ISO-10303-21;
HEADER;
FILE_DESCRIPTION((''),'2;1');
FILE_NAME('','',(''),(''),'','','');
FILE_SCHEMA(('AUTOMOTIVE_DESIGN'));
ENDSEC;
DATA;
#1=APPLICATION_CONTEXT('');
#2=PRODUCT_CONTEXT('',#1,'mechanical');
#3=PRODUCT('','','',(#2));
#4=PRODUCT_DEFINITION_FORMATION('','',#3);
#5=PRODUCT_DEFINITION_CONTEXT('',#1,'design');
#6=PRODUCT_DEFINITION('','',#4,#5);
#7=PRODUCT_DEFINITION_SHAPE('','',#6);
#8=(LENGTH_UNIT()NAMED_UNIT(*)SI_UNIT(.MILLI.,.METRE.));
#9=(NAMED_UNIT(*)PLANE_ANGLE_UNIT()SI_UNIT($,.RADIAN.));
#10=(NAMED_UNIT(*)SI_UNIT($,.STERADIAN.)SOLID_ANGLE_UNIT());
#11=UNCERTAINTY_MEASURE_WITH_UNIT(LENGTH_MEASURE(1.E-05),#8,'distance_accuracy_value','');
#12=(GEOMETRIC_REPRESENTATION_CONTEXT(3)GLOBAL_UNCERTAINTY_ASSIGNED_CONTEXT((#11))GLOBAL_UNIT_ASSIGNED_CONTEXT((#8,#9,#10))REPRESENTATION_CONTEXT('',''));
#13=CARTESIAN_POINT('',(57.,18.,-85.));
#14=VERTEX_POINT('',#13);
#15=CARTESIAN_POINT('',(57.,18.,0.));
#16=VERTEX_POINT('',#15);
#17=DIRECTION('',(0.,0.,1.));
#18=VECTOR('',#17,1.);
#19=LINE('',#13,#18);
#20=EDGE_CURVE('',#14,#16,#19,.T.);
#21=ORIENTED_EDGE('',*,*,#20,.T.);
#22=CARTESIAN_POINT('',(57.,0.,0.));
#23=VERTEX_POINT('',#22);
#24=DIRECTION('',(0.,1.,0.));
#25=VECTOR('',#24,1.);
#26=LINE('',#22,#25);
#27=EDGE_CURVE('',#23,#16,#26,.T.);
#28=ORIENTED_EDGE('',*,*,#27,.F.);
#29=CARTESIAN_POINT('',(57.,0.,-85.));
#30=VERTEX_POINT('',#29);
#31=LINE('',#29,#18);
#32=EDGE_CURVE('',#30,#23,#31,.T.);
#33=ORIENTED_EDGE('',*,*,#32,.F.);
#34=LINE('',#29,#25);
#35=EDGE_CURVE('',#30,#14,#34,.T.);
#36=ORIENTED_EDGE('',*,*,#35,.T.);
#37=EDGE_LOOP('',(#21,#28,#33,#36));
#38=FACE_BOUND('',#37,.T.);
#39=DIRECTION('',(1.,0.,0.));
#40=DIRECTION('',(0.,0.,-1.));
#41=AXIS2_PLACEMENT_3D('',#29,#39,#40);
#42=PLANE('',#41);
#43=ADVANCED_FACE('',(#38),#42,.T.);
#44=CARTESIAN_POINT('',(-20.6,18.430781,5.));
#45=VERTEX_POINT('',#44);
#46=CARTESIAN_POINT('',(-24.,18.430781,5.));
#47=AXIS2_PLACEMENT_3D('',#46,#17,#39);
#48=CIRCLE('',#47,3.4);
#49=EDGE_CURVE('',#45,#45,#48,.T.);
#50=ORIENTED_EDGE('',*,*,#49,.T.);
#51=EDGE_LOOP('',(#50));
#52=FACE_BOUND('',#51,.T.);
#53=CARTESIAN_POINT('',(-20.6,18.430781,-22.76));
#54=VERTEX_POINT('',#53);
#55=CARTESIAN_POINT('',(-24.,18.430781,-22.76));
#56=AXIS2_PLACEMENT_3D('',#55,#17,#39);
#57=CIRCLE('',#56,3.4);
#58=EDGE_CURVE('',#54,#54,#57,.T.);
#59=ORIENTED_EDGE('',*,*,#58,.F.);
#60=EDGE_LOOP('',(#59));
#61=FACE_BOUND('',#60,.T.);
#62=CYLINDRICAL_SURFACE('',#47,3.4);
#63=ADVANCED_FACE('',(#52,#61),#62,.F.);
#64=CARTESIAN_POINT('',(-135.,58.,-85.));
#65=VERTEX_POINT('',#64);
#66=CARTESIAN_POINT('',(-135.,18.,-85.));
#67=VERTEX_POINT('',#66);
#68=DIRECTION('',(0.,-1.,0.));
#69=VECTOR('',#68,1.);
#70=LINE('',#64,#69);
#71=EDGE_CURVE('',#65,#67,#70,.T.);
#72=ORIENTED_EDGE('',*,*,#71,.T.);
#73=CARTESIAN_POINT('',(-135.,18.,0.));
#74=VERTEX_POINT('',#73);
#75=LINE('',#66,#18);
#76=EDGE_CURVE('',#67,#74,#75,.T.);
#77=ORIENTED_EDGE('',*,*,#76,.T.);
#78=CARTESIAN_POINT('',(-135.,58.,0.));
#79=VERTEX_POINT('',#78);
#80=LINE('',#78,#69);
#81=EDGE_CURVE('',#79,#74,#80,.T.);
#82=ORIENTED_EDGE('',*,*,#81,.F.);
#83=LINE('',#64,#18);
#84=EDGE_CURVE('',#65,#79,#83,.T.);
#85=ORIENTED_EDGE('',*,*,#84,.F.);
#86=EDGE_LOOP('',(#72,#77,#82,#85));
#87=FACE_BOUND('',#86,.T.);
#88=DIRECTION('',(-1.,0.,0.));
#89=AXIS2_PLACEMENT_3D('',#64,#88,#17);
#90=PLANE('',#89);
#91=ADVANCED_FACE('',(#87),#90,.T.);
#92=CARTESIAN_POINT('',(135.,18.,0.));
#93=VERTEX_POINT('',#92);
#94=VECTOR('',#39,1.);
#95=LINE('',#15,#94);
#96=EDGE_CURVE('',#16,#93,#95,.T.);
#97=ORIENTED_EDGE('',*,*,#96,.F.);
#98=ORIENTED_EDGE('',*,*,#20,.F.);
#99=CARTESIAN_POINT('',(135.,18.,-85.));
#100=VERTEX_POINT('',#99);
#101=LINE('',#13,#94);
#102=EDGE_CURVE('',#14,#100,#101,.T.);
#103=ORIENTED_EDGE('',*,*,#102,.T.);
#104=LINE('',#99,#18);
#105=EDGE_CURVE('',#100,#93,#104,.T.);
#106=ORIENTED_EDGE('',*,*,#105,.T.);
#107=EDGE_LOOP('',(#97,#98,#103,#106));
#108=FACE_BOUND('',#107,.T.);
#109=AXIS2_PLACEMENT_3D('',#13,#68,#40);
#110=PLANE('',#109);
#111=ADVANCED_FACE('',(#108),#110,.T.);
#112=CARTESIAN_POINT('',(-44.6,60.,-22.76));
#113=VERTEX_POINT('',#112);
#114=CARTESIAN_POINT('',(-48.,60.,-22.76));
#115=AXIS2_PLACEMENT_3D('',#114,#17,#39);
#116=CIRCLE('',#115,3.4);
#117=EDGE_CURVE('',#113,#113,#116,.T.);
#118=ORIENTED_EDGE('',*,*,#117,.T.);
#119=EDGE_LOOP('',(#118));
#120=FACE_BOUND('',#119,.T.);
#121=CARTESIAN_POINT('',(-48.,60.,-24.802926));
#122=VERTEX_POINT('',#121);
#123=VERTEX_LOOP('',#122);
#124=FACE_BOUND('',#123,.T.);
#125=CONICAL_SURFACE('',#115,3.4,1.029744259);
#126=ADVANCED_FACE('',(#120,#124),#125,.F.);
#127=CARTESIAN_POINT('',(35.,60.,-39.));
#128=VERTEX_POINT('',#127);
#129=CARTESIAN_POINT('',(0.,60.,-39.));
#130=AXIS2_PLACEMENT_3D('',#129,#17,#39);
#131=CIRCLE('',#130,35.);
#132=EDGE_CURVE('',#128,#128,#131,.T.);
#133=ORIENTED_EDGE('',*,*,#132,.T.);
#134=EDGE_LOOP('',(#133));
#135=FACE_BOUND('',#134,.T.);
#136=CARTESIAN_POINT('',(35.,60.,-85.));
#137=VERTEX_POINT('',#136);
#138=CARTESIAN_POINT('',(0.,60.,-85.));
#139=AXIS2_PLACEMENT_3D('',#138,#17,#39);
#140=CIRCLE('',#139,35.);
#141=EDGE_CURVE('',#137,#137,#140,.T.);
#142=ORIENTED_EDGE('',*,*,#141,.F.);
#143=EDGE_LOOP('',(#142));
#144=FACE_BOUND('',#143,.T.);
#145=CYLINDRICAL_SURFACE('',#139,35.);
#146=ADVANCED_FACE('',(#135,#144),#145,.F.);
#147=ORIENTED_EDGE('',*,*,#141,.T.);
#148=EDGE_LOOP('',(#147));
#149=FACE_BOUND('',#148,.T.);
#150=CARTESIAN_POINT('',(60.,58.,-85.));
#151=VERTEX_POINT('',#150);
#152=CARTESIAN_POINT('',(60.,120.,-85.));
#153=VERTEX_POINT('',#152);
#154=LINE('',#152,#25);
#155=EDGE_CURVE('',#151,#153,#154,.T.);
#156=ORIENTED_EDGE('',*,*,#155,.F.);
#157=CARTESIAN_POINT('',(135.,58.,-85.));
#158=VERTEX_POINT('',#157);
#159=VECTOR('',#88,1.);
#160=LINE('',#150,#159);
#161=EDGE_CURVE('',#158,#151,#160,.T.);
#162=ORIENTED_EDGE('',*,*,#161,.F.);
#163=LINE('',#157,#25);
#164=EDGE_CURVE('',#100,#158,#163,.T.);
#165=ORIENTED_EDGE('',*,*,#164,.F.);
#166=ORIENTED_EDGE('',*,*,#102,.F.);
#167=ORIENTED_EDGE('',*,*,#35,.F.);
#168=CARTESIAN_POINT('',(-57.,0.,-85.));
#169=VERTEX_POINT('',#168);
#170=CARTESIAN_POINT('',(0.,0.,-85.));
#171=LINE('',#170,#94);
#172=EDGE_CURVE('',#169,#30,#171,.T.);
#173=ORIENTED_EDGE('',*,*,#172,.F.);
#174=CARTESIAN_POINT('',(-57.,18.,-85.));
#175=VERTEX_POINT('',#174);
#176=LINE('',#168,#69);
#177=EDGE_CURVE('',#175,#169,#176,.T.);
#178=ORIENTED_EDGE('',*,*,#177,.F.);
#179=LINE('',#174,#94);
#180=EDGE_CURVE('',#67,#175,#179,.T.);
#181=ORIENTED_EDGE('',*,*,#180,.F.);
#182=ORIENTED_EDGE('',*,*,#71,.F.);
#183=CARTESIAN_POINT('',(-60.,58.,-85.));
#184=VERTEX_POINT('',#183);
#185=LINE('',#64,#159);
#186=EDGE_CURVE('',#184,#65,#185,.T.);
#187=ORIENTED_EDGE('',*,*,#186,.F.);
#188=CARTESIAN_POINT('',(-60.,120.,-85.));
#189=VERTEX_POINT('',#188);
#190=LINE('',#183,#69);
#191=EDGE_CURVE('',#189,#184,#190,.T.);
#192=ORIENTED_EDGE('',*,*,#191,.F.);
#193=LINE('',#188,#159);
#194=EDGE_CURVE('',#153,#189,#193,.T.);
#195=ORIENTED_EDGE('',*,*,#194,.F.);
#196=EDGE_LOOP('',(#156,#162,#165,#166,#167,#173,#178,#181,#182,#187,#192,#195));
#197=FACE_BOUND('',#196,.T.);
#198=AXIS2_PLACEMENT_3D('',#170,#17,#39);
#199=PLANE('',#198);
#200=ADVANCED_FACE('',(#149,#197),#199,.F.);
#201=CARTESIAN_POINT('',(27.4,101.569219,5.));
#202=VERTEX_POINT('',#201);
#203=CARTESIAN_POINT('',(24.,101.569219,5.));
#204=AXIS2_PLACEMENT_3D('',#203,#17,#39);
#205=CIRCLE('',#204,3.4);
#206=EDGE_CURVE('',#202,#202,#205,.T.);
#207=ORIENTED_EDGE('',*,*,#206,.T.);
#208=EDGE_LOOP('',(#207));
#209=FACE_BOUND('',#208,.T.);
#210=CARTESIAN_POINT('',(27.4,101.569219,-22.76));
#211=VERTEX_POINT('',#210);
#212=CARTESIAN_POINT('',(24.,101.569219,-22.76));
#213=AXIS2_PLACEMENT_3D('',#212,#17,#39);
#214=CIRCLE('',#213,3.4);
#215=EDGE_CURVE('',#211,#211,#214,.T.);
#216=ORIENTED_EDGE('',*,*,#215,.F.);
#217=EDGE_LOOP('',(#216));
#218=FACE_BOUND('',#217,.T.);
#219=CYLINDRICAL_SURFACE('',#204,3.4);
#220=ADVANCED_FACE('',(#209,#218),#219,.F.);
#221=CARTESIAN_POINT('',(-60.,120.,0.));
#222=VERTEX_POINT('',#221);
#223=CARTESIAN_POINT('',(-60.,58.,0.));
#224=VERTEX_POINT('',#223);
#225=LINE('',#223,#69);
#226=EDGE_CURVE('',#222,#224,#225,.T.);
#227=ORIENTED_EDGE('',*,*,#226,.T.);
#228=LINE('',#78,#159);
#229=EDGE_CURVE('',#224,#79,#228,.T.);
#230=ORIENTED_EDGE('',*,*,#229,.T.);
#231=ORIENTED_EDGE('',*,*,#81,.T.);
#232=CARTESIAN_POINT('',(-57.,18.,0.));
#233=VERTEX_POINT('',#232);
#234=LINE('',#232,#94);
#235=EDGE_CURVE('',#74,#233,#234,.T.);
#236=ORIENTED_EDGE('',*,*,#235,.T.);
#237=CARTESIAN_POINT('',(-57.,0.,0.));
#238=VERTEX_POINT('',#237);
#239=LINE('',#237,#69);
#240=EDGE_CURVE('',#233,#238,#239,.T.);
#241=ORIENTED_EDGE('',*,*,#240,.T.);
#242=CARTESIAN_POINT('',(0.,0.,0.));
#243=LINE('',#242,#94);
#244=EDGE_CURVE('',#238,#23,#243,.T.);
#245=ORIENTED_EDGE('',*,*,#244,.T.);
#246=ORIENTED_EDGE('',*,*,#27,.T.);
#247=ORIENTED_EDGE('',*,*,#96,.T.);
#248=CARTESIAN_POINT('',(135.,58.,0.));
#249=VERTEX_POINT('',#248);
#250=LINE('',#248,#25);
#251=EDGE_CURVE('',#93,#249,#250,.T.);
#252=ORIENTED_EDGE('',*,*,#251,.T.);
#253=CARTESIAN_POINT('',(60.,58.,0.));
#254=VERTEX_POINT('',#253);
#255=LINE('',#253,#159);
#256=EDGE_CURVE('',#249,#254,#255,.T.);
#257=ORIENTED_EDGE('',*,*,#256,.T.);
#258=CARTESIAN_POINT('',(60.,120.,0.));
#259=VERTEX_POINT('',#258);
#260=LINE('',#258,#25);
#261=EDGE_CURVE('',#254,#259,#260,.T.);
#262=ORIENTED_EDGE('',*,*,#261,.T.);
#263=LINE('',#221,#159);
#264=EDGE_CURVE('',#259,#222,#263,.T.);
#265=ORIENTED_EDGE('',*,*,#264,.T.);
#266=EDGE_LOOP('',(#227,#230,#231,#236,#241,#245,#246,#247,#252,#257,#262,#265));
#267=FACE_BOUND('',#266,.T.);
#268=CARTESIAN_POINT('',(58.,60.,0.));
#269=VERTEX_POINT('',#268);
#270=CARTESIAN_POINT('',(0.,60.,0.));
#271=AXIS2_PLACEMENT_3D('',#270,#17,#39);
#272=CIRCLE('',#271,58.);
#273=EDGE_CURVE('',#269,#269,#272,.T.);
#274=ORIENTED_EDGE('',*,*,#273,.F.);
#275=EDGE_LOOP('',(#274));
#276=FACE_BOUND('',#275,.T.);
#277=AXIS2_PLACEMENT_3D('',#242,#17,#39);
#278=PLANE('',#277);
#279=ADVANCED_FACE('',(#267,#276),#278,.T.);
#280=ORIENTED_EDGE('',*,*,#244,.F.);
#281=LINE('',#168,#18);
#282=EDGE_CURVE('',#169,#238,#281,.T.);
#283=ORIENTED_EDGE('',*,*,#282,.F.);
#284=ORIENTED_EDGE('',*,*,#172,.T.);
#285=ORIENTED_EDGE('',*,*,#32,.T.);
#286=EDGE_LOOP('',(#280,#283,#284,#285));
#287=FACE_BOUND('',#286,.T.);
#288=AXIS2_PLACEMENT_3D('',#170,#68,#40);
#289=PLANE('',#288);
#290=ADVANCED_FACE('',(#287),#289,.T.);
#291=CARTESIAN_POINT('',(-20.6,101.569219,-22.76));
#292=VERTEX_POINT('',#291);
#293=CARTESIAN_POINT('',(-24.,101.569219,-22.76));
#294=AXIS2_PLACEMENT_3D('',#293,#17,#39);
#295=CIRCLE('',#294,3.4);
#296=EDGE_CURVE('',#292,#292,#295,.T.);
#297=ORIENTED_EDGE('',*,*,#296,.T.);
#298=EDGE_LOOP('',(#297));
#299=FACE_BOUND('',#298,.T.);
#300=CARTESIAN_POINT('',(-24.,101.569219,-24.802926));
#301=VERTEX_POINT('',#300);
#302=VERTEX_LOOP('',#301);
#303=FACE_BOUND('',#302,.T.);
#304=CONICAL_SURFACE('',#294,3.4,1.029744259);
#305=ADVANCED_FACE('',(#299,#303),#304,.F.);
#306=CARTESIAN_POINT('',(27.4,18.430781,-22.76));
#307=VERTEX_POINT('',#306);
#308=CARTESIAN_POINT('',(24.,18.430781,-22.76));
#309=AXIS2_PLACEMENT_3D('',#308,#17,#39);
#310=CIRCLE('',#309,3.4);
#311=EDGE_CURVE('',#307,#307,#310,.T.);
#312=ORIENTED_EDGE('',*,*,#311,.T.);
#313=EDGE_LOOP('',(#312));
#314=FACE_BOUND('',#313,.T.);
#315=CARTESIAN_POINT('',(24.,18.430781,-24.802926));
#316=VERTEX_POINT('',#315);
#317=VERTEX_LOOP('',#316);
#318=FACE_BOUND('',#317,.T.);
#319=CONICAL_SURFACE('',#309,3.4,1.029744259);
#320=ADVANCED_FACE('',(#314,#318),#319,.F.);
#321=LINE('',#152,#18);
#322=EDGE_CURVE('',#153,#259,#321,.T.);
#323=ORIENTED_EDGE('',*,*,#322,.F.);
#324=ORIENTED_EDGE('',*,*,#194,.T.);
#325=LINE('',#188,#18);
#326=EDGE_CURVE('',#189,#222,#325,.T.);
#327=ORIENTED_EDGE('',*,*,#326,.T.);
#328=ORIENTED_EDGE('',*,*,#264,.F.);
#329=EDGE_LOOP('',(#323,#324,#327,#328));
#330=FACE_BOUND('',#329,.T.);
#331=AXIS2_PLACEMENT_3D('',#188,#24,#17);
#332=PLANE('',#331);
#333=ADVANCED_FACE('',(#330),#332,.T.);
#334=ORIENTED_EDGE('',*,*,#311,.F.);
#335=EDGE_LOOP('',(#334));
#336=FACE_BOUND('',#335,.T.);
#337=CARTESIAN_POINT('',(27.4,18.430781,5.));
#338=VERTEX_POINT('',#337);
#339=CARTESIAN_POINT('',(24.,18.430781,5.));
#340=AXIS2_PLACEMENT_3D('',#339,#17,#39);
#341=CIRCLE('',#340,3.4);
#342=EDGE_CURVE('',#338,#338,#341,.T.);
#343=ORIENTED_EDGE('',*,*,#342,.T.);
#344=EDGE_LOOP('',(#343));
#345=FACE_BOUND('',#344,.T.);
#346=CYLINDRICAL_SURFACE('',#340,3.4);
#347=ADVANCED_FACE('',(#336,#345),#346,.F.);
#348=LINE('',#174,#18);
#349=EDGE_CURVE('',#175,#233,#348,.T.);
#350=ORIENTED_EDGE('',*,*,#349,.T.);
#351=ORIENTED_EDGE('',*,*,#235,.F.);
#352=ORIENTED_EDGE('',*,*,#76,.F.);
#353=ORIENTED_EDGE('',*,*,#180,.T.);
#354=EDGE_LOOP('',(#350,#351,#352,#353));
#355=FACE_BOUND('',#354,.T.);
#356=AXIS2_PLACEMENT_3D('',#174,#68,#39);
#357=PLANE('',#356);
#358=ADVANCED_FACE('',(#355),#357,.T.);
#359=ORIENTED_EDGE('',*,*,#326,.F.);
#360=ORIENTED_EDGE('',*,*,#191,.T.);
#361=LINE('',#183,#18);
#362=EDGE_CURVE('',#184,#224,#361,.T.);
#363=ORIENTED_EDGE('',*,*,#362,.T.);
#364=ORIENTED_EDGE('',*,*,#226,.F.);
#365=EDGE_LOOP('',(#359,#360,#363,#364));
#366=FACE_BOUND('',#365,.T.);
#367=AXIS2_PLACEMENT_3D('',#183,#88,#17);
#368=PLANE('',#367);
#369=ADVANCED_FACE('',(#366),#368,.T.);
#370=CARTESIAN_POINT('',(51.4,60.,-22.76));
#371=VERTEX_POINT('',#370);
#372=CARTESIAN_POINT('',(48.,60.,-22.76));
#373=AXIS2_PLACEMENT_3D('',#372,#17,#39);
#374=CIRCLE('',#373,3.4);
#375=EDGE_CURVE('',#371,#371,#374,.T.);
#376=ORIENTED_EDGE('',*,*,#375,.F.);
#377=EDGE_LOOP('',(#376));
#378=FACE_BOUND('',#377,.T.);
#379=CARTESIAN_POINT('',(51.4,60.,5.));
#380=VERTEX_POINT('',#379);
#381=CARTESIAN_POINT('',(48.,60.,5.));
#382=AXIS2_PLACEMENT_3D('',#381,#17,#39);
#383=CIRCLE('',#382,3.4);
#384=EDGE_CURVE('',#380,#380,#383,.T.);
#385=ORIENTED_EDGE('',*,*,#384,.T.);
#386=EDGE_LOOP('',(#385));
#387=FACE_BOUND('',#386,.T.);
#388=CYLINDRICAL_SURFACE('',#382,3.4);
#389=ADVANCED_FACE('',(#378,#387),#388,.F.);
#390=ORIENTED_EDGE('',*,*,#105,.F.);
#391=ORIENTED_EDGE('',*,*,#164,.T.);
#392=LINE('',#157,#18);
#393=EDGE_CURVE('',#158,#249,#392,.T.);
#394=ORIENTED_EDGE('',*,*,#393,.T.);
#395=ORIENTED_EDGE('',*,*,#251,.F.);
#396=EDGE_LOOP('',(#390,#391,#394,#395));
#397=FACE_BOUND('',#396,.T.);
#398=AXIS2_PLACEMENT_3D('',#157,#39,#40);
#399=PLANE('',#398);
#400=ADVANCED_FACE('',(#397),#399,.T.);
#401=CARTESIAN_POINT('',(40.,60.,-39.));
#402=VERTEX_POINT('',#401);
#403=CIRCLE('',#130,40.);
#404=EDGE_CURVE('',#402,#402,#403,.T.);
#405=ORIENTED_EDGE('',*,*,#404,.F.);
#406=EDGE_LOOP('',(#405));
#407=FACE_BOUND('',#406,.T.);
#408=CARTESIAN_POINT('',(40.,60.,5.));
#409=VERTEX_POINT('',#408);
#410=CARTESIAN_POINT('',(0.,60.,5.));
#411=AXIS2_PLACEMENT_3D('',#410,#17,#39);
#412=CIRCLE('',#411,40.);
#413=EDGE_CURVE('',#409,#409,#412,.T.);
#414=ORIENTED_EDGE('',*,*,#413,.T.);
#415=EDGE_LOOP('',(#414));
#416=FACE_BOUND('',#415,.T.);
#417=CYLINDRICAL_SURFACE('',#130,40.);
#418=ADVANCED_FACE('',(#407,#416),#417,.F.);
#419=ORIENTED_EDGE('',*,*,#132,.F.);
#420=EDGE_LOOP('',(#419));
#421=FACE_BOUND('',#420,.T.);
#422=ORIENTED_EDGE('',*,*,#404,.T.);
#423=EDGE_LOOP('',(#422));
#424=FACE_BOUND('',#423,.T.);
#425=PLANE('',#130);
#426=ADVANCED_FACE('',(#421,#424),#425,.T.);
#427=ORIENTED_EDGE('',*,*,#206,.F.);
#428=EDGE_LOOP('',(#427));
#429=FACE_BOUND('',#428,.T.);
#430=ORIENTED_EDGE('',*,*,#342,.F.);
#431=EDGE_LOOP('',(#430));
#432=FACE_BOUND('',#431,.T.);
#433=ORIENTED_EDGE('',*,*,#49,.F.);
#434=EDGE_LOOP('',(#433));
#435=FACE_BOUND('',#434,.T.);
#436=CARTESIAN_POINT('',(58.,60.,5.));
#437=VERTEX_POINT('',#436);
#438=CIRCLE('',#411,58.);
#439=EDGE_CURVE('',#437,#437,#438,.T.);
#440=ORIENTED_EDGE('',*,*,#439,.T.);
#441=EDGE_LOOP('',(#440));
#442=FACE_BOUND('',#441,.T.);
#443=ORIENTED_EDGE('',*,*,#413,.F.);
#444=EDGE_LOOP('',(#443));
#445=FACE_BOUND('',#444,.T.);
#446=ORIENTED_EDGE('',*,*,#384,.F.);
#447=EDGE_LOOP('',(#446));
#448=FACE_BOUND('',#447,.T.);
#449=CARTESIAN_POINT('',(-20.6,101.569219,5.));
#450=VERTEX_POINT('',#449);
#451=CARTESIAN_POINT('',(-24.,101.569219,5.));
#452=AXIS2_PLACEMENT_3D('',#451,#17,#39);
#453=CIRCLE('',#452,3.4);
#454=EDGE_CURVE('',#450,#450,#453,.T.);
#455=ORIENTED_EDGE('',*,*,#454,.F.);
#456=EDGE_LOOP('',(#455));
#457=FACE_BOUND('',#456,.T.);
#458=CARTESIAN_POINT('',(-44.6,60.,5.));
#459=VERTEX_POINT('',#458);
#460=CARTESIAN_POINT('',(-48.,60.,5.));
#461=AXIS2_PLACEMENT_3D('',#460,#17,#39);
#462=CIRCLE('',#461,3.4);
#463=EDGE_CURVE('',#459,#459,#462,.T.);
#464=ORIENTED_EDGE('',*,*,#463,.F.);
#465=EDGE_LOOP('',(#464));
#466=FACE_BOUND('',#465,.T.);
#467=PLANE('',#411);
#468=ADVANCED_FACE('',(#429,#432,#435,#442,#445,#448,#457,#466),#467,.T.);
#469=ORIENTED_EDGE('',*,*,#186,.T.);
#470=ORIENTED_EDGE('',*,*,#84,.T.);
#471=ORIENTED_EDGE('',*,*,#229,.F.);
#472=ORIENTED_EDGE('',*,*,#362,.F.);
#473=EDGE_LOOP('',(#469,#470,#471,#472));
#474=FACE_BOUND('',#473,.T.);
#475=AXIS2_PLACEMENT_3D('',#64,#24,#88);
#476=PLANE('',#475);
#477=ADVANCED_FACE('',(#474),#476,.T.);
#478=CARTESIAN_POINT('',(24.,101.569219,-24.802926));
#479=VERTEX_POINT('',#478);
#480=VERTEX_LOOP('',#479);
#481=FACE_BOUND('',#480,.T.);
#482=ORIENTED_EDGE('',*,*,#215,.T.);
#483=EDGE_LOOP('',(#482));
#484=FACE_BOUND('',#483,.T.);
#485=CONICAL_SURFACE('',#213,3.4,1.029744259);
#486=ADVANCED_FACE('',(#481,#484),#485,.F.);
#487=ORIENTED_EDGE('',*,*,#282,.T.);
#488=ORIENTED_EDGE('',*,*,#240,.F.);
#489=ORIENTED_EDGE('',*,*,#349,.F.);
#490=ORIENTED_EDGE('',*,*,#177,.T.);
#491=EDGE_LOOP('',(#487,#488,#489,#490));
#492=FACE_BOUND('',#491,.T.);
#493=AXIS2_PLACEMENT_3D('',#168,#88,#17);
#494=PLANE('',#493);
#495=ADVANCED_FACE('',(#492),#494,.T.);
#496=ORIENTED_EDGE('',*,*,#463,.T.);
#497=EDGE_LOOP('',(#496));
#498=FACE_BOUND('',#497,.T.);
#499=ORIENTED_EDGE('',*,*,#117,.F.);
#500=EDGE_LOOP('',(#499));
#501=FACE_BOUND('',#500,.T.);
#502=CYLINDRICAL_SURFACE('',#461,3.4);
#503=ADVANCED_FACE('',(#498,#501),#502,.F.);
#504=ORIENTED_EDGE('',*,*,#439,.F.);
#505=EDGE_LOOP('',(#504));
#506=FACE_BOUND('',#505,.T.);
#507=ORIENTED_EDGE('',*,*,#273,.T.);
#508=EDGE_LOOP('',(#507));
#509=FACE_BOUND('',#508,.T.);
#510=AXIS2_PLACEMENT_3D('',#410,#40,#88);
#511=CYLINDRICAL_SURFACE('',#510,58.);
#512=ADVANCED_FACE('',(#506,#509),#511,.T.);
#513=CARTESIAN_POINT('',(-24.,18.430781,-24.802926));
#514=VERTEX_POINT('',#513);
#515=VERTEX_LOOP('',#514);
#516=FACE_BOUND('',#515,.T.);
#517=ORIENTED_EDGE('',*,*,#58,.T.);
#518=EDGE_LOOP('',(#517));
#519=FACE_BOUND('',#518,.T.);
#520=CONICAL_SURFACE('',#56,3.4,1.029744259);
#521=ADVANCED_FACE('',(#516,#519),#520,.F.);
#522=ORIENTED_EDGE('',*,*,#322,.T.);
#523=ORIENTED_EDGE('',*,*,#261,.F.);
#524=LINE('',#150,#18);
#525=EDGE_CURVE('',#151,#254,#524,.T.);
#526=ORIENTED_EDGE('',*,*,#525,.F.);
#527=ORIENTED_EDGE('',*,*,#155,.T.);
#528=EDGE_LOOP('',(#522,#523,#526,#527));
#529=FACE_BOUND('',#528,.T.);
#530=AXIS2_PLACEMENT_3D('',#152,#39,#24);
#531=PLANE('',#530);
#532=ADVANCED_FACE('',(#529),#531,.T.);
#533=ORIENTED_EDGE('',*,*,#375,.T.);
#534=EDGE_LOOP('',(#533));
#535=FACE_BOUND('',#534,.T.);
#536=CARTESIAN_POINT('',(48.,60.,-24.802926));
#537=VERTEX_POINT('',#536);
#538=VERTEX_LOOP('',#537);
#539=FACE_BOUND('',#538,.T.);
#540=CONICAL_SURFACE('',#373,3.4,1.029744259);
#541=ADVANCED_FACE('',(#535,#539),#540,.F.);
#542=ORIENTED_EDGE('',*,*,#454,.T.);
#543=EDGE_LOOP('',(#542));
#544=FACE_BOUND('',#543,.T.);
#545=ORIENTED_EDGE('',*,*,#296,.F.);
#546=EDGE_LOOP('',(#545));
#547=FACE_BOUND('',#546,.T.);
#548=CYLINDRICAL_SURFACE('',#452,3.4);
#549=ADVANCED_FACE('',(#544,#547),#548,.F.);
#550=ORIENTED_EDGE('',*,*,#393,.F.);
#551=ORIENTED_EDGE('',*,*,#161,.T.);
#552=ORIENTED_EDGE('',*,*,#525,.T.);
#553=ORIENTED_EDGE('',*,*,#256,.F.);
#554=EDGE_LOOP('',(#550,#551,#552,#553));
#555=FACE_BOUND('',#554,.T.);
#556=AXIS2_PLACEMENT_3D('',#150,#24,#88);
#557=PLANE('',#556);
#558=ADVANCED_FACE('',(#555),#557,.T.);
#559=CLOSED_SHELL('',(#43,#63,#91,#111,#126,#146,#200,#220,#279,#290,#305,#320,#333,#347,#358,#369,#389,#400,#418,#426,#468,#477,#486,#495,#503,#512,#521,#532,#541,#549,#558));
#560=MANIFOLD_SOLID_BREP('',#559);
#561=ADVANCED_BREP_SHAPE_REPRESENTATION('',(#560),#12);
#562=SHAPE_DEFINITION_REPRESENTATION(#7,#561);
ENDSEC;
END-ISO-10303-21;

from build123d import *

# Parameters (mm, degrees)
EXTRUDE_1_DEPTH          = 85
SKETCH_2_R               = 58
EXTRUDE_2_DEPTH          = 5
SKETCH_3_R               = 40
CUT_EXTRUDE_1_DEPTH      = 44
SKETCH_4_R               = 35
CUT_EXTRUDE_2_DEPTH      = 187.38937738
PATTERN_CIRCULAR_1_COUNT = 6


with BuildPart() as part:
    # 草图1 → 凸台-拉伸1 (new body)
    with BuildSketch(Plane.XY):
        Polygon((0, 0), (-57, 0), (-57, 18), (-135, 18), (-135, 58), (-60, 58), (-60, 120), (60, 120), (60, 58), (135, 58), (135, 18), (57, 18), (57, 0), align=None)
    extrude(amount=-EXTRUDE_1_DEPTH)

    # 草图2 → 凸台-拉伸2 (add)
    with BuildSketch(Plane.XY):
        with Locations((0, 60)):
            Circle(SKETCH_2_R)
    extrude(amount=EXTRUDE_2_DEPTH)

    # 草图3 → 切除-拉伸1 (cut)
    with BuildSketch(Plane.XY.offset(5)):
        with Locations((0, 60)):
            Circle(SKETCH_3_R)
    extrude(amount=-CUT_EXTRUDE_1_DEPTH, mode=Mode.SUBTRACT)

    # 草图4 → 切除-拉伸2 (cut, through all)
    with BuildSketch(Plane.XY.offset(-39)):
        with Locations((0, 60)):
            Circle(SKETCH_4_R)
    extrude(amount=-CUT_EXTRUDE_2_DEPTH, mode=Mode.SUBTRACT)

    # 草图7 → M8 螺纹孔1 (revolve, cut)
    with BuildSketch(Plane(origin=(24, 101.569219382, 5), x_dir=(0, -1, 0), z_dir=(1, 0, 0))):
        Polygon((0, 0), (0, 29.802926105), (3.4, 27.76), (3.4, 0), align=None)
    hole_wizard_m8_1 = revolve(axis=Axis((24, 101.569219382, 11.35), (0, 0, -1)), mode=Mode.SUBTRACT)

    # 阵列(圆周)1: M8 螺纹孔1 ×6 about axis
    pattern_circular_1_axis = Axis((0, 60, 0), (0, 0, 1))
    for i in range(1, PATTERN_CIRCULAR_1_COUNT):
        add(hole_wizard_m8_1.rotate(pattern_circular_1_axis, i * 360 / PATTERN_CIRCULAR_1_COUNT), mode=Mode.SUBTRACT)


solid = part.part
